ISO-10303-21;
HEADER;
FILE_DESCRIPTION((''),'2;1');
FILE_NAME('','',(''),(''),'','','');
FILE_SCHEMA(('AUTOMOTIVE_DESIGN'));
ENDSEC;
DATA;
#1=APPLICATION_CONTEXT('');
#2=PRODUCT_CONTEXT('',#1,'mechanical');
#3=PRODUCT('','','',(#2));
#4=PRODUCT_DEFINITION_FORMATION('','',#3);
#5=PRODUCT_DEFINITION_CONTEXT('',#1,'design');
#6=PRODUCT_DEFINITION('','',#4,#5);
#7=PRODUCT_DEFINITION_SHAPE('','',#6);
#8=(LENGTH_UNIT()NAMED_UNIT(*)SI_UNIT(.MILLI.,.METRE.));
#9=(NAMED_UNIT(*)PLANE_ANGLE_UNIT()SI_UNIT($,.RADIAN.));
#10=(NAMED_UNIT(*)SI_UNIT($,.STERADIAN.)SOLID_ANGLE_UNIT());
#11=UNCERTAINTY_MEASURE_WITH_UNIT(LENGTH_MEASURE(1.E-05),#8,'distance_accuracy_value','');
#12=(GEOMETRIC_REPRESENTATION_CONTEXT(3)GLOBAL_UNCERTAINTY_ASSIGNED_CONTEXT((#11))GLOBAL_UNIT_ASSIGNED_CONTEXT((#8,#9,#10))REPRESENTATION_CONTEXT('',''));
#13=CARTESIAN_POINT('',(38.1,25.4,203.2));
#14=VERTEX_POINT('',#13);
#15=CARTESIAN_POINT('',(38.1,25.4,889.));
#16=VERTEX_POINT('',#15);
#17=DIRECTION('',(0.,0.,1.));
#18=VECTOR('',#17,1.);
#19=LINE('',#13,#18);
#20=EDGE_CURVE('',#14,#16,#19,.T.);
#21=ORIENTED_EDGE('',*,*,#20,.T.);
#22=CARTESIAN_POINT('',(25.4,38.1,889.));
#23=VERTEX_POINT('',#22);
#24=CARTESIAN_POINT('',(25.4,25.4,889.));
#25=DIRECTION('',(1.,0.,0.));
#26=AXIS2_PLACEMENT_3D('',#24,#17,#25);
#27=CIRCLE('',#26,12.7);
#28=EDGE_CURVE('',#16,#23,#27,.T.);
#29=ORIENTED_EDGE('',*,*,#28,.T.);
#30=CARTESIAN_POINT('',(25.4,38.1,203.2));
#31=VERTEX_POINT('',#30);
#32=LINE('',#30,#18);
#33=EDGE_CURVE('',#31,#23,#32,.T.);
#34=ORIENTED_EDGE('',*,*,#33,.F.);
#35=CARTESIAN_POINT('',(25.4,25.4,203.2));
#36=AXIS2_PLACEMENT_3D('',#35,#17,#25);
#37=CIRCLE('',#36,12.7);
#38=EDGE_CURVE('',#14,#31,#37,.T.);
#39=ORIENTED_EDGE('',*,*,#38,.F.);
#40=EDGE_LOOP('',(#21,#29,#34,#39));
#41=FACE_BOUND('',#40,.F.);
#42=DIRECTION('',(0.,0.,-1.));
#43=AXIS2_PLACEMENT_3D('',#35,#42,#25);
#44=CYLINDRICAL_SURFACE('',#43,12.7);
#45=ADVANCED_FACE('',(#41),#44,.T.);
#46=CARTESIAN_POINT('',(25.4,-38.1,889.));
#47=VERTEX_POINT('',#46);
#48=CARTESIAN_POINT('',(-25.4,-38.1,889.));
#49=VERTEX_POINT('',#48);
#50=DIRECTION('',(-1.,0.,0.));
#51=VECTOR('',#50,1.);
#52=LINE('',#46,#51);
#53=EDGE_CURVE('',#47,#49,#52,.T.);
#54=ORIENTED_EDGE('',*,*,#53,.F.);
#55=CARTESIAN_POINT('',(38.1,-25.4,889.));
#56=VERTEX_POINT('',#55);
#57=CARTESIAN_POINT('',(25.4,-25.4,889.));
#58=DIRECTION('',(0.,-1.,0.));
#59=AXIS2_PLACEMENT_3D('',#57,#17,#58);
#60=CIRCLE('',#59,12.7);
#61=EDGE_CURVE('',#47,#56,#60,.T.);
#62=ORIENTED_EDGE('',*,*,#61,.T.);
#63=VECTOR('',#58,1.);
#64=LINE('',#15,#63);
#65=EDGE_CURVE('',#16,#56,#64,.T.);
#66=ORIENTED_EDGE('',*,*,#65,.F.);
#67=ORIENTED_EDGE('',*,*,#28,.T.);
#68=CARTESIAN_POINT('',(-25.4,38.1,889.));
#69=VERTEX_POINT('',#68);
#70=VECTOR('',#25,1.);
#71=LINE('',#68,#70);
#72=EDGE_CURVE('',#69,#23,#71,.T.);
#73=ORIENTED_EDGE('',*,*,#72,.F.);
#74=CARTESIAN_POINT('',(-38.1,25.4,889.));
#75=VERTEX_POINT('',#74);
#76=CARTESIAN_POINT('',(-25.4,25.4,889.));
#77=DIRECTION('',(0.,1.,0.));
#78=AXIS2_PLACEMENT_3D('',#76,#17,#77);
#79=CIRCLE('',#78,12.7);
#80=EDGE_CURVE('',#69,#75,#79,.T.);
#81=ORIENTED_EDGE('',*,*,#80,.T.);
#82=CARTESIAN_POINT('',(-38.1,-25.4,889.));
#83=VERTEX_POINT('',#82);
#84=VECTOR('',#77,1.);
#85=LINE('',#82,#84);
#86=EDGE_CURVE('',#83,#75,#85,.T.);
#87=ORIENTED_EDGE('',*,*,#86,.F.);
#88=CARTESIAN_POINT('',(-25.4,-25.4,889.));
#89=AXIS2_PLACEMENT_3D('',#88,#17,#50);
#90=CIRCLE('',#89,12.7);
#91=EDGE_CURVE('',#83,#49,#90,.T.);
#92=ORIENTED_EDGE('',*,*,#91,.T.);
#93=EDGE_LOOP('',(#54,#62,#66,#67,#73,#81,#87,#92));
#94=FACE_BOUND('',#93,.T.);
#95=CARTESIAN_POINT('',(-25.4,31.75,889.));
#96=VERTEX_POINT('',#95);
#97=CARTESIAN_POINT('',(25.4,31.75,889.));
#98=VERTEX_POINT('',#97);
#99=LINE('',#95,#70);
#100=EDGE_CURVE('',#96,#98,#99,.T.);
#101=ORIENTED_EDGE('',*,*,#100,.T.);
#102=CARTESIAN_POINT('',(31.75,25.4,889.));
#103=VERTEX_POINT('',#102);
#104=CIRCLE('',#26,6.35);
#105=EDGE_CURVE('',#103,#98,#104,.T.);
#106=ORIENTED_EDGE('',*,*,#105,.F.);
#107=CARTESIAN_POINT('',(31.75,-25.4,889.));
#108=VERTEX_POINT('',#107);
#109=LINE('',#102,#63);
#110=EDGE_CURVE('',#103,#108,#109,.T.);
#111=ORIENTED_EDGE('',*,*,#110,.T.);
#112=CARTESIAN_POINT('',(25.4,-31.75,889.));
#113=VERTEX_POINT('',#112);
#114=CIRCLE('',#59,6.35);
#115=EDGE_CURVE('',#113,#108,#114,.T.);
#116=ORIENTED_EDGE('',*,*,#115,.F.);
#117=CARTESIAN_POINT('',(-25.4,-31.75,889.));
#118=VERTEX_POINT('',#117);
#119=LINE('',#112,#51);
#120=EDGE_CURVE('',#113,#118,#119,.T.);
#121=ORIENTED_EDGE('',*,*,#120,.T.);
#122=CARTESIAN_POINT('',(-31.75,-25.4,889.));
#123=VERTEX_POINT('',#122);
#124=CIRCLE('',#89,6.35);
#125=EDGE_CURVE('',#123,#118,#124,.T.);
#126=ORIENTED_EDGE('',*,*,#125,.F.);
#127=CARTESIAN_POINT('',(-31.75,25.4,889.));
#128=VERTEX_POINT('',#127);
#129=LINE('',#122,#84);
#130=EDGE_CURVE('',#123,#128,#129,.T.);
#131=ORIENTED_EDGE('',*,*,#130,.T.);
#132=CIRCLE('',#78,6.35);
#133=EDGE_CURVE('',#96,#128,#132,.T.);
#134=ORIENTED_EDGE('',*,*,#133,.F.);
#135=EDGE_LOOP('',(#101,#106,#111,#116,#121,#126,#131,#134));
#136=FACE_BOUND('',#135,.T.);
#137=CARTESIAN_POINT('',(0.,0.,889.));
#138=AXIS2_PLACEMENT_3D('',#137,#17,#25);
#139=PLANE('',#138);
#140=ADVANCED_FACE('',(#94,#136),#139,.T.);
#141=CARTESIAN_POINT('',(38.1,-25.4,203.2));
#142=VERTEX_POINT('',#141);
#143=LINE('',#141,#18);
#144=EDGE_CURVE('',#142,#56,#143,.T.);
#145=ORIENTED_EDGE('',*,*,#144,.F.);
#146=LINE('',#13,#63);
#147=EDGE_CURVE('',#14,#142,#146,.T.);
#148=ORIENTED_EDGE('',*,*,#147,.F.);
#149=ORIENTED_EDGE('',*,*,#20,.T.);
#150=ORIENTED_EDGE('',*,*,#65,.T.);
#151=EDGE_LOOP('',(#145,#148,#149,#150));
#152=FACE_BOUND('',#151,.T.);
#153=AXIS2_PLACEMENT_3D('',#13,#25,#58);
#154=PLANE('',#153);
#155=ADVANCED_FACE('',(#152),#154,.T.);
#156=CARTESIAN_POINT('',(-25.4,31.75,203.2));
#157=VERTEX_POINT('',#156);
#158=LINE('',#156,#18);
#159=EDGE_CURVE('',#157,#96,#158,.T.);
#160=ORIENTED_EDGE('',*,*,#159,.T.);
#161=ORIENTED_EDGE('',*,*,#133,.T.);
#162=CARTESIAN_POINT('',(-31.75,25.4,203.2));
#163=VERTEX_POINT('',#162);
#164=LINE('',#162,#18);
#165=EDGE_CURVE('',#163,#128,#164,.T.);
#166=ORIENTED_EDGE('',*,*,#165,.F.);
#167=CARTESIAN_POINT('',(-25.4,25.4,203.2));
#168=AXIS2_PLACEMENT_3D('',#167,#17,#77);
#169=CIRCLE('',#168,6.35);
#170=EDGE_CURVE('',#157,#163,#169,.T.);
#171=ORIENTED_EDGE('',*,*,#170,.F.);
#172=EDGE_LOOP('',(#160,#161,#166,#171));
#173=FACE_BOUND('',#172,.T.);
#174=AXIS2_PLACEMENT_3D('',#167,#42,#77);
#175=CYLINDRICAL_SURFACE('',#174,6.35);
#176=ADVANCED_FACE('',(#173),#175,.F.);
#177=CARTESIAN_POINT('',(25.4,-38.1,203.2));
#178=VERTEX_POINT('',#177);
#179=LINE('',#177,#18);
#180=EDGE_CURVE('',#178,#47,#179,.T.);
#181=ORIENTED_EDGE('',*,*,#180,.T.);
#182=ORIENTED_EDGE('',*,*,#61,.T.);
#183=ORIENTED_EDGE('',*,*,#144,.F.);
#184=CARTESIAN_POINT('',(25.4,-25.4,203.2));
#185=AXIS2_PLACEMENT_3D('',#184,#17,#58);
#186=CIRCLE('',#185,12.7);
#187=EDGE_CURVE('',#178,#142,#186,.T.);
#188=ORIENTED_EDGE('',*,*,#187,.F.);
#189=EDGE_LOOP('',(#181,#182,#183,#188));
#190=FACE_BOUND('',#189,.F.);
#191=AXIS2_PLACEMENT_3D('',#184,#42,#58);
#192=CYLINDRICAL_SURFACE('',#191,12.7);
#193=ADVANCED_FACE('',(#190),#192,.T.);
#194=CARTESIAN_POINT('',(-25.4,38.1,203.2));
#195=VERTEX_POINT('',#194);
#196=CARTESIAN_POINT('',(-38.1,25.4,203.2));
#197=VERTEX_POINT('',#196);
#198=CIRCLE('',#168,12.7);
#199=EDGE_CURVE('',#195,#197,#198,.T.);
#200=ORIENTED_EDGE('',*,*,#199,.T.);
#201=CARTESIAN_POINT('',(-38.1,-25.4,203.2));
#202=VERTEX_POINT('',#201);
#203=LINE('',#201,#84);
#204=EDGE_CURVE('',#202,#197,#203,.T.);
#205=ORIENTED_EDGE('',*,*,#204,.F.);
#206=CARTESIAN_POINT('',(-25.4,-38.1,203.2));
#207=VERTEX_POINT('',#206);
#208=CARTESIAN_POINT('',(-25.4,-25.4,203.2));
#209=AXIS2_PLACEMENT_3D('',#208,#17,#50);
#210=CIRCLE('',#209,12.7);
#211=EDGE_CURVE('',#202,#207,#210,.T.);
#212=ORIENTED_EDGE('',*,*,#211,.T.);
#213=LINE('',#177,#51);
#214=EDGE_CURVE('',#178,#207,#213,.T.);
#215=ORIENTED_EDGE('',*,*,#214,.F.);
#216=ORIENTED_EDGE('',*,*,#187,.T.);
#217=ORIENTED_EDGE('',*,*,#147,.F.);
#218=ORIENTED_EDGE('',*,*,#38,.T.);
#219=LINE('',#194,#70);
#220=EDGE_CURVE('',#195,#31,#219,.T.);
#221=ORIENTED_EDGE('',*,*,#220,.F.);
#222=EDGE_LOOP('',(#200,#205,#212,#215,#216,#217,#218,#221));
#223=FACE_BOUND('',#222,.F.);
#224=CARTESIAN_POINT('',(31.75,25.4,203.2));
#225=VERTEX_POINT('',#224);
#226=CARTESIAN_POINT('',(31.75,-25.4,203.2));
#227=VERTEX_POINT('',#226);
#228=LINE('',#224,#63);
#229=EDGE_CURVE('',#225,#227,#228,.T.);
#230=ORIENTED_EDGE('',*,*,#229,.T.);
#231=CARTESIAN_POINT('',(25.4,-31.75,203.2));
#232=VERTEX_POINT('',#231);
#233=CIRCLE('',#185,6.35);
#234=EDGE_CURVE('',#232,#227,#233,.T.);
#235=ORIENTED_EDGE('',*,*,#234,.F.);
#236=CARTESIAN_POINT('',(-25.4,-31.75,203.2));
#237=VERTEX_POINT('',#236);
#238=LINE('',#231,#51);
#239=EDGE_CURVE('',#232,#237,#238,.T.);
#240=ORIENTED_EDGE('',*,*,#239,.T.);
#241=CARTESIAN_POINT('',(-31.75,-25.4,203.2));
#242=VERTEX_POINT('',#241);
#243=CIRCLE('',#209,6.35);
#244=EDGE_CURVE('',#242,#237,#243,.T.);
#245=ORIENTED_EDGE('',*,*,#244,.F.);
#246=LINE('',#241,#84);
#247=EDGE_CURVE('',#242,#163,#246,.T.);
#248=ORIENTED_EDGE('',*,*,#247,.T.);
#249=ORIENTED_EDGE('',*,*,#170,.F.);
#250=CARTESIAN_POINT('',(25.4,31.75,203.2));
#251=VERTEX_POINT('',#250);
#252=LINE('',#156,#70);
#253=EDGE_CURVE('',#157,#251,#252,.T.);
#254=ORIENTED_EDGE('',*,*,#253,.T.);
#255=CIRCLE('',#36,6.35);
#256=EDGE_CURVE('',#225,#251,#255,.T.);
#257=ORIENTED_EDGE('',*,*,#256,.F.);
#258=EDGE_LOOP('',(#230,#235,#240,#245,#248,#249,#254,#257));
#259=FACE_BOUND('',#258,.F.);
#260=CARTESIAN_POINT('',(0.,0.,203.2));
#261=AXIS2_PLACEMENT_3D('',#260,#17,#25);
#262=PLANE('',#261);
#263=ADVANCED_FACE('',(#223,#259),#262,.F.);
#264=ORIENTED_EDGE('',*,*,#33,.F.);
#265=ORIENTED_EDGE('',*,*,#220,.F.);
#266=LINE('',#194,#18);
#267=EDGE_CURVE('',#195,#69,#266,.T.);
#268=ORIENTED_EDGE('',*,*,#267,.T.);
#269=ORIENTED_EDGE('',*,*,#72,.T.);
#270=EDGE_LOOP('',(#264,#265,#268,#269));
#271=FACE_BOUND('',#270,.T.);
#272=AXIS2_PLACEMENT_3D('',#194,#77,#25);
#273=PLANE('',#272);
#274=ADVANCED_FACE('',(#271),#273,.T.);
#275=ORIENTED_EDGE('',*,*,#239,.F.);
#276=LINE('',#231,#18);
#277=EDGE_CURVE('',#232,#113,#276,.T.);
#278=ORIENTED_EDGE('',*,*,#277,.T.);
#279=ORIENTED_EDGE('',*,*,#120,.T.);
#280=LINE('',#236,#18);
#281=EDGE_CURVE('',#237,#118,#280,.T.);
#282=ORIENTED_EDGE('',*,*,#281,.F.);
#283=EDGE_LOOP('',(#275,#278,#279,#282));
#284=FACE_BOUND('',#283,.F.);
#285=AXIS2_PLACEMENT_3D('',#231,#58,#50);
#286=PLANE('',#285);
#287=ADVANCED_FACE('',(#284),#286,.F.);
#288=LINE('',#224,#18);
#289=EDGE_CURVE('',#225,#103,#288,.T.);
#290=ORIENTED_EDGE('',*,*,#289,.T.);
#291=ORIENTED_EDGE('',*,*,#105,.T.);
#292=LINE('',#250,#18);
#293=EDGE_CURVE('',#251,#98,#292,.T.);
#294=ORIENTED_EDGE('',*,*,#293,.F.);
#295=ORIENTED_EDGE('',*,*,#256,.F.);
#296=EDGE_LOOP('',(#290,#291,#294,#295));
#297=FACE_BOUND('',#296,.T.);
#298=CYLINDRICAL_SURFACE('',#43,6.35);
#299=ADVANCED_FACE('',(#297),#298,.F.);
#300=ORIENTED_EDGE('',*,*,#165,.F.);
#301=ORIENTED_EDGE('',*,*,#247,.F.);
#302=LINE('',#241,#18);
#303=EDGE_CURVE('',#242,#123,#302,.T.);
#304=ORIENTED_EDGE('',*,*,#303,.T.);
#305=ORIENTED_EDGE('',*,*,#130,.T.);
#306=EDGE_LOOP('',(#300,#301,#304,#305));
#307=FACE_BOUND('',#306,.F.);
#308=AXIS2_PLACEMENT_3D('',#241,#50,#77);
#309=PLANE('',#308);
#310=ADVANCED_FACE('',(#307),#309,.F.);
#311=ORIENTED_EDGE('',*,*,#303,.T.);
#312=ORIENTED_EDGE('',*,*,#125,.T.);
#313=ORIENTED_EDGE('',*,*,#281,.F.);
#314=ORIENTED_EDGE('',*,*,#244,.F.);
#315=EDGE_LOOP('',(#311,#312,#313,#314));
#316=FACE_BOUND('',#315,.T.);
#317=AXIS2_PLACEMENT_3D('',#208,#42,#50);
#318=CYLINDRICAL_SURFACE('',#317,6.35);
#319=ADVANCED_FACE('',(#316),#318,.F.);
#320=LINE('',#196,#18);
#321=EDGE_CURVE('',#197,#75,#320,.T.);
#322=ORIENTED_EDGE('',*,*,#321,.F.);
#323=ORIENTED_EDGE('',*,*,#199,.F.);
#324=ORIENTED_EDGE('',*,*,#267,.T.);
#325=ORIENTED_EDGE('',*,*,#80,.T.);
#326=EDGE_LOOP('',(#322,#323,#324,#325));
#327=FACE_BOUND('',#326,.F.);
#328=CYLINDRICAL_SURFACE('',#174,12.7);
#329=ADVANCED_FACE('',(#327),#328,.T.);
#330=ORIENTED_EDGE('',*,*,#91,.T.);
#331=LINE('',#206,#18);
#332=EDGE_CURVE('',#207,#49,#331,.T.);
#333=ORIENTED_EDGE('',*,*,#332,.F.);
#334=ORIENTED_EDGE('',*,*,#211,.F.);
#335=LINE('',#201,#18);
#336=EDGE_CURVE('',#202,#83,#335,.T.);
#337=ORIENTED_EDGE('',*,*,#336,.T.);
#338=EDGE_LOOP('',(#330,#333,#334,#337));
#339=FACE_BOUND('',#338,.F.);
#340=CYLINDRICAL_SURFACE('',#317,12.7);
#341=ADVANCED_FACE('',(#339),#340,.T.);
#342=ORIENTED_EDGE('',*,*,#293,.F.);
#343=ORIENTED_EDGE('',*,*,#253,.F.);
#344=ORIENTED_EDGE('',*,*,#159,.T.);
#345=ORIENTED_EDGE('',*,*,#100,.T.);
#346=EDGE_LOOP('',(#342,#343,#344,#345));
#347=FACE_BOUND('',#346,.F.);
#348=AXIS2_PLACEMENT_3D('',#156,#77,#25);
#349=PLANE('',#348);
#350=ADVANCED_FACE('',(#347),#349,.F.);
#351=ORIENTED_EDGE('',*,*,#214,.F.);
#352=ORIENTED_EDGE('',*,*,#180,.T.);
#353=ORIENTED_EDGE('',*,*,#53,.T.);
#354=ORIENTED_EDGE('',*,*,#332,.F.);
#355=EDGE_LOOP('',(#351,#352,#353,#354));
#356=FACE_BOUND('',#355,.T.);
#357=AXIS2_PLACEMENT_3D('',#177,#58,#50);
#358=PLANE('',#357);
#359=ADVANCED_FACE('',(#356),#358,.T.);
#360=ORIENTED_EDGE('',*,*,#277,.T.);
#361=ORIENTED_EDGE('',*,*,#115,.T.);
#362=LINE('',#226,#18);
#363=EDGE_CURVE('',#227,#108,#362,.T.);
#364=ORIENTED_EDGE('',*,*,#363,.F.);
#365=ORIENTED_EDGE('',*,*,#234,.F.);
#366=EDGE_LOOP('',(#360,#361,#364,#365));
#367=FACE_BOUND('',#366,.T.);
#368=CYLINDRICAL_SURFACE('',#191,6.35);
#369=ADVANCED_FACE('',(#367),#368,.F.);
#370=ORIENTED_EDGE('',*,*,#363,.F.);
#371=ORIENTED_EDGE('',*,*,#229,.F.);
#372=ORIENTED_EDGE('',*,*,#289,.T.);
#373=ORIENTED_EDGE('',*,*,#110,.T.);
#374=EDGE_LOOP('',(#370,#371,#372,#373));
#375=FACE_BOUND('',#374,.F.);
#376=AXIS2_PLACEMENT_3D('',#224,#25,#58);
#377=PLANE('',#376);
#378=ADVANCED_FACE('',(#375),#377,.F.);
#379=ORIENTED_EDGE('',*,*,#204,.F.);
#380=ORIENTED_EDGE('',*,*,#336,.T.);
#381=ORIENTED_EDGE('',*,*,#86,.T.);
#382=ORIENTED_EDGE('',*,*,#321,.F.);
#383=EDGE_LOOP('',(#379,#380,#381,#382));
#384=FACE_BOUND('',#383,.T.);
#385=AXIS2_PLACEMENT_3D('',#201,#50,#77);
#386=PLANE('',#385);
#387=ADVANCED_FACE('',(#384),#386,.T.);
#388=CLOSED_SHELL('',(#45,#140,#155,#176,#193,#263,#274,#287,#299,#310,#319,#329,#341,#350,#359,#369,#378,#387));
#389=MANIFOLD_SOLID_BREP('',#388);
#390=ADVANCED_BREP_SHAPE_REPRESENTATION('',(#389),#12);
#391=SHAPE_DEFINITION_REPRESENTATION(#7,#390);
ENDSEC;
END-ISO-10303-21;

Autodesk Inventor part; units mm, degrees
ref_plane "Start plane" through (0, 0, 203.2) normal (0, 0, 1) x (1, 0, 0)
ref_plane "End plane" through (0, 0, 889) normal (0, 0, 1) x (1, 0, 0)
sketch "Sketch" plane through (0, 0, 0) normal (0, 0, 1) x (1, 0, 0)
  line L0 (-38.1, -25.4) -> (-38.1, 25.4)
  line L1 (-25.4, 38.1) -> (25.4, 38.1)
  line L2 (38.1, 25.4) -> (38.1, -25.4)
  line L3 (25.4, -38.1) -> (-25.4, -38.1)
  arc A0 (-38.1, -25.4) -> (-25.4, -38.1) centre (-25.4, -25.4) ccw
  arc A1 (-25.4, 38.1) -> (-38.1, 25.4) centre (-25.4, 25.4) ccw
  arc A2 (38.1, 25.4) -> (25.4, 38.1) centre (25.4, 25.4) ccw
  arc A3 (25.4, -38.1) -> (38.1, -25.4) centre (25.4, -25.4) ccw
  arc A4 (-25.4, 31.75) -> (-31.75, 25.4) centre (-25.4, 25.4) ccw
  line L4 (-25.4, 31.75) -> (25.4, 31.75)
  arc A5 (31.75, 25.4) -> (25.4, 31.75) centre (25.4, 25.4) ccw
  line L5 (31.75, 25.4) -> (31.75, -25.4)
  arc A6 (25.4, -31.75) -> (31.75, -25.4) centre (25.4, -25.4) ccw
  line L6 (25.4, -31.75) -> (-25.4, -31.75)
  arc A7 (-31.75, -25.4) -> (-25.4, -31.75) centre (-25.4, -25.4) ccw
  line L7 (-31.75, -25.4) -> (-31.75, 25.4)
  line L8 (0, 57.0224) -> (0, -57.0224) construction
  line L9 (-57.0224, 0) -> (57.0224, 0) construction
  dimension "d10" = 76.2
  dimension "d11" = 76.2
  dimension "d12" = 6.35
  dimension "d15" = 38.1
  dimension "d16" = 38.1
  dimension "d17" = 12.7
extrude "Body" add sketch "Sketch" along normal up to surface (685.8 mm away) from surface at 203.2
sketch "Sketch3" plane through (0, 0, 0) normal (0, 0, 1) x (1, 0, 0)
  line L0 (0, 0) -> (10, 0)
ref_plane "Work Plane3" through (0, 0, 0) normal (0, -1, 0) x (1, 0, 0)
sketch "Sketch4" plane through (0, 0, 0) normal (0, -1, 0) x (1, 0, 0)
  line L0 (-2, 203.2) -> (12, 203.2)
  line L1 (-2, 889) -> (12, 889)
  dimension "d19" = 685.8
ref_plane "Work Plane4" through (-1219.2, 25.4, 889) normal (0, 0, 1) x (1, 0, 0)
split "Split1" plane through (-1219.2, 25.4, 889) removes the side toward (0, 0, 1)
ref_plane "Work Plane5" through (-1219.2, -25.4, 203.2) normal (0, 0, -1) x (-1, 0, 0)
split "Split2" plane through (-1219.2, -25.4, 203.2) removes the side toward (0, 0, -1)
equation "\"d10\" = G_H"
equation "\"d11\" = G_W"
equation "\"d12\" = G_T"
equation "\"d15\" = 0.5 * d10"
equation "\"d16\" = 0.5 * d11"
equation "\"d17\" = G_IR"
equation "\"d3\" = G_L"
equation "\"G_W\" = 76.2"
equation "\"G_H\" = 76.2"
equation "\"G_T\" = 6.35"
equation "\"G_IR\" = 12.7"
equation "\"G_L\" = d19"
equation "\"G_OFFSET_START\" = -203.2"
equation "\"G_OFFSET_END\" = -203.2"
equation "\"d13\" = -G_OFFSET_START"
equation "\"d14\" = G_OFFSET_END + B_L"
equation "\"B_L\" = 1092.2"
properties part number "AISC - 3x3x1/4 - 27" material "Steel, Mild"
